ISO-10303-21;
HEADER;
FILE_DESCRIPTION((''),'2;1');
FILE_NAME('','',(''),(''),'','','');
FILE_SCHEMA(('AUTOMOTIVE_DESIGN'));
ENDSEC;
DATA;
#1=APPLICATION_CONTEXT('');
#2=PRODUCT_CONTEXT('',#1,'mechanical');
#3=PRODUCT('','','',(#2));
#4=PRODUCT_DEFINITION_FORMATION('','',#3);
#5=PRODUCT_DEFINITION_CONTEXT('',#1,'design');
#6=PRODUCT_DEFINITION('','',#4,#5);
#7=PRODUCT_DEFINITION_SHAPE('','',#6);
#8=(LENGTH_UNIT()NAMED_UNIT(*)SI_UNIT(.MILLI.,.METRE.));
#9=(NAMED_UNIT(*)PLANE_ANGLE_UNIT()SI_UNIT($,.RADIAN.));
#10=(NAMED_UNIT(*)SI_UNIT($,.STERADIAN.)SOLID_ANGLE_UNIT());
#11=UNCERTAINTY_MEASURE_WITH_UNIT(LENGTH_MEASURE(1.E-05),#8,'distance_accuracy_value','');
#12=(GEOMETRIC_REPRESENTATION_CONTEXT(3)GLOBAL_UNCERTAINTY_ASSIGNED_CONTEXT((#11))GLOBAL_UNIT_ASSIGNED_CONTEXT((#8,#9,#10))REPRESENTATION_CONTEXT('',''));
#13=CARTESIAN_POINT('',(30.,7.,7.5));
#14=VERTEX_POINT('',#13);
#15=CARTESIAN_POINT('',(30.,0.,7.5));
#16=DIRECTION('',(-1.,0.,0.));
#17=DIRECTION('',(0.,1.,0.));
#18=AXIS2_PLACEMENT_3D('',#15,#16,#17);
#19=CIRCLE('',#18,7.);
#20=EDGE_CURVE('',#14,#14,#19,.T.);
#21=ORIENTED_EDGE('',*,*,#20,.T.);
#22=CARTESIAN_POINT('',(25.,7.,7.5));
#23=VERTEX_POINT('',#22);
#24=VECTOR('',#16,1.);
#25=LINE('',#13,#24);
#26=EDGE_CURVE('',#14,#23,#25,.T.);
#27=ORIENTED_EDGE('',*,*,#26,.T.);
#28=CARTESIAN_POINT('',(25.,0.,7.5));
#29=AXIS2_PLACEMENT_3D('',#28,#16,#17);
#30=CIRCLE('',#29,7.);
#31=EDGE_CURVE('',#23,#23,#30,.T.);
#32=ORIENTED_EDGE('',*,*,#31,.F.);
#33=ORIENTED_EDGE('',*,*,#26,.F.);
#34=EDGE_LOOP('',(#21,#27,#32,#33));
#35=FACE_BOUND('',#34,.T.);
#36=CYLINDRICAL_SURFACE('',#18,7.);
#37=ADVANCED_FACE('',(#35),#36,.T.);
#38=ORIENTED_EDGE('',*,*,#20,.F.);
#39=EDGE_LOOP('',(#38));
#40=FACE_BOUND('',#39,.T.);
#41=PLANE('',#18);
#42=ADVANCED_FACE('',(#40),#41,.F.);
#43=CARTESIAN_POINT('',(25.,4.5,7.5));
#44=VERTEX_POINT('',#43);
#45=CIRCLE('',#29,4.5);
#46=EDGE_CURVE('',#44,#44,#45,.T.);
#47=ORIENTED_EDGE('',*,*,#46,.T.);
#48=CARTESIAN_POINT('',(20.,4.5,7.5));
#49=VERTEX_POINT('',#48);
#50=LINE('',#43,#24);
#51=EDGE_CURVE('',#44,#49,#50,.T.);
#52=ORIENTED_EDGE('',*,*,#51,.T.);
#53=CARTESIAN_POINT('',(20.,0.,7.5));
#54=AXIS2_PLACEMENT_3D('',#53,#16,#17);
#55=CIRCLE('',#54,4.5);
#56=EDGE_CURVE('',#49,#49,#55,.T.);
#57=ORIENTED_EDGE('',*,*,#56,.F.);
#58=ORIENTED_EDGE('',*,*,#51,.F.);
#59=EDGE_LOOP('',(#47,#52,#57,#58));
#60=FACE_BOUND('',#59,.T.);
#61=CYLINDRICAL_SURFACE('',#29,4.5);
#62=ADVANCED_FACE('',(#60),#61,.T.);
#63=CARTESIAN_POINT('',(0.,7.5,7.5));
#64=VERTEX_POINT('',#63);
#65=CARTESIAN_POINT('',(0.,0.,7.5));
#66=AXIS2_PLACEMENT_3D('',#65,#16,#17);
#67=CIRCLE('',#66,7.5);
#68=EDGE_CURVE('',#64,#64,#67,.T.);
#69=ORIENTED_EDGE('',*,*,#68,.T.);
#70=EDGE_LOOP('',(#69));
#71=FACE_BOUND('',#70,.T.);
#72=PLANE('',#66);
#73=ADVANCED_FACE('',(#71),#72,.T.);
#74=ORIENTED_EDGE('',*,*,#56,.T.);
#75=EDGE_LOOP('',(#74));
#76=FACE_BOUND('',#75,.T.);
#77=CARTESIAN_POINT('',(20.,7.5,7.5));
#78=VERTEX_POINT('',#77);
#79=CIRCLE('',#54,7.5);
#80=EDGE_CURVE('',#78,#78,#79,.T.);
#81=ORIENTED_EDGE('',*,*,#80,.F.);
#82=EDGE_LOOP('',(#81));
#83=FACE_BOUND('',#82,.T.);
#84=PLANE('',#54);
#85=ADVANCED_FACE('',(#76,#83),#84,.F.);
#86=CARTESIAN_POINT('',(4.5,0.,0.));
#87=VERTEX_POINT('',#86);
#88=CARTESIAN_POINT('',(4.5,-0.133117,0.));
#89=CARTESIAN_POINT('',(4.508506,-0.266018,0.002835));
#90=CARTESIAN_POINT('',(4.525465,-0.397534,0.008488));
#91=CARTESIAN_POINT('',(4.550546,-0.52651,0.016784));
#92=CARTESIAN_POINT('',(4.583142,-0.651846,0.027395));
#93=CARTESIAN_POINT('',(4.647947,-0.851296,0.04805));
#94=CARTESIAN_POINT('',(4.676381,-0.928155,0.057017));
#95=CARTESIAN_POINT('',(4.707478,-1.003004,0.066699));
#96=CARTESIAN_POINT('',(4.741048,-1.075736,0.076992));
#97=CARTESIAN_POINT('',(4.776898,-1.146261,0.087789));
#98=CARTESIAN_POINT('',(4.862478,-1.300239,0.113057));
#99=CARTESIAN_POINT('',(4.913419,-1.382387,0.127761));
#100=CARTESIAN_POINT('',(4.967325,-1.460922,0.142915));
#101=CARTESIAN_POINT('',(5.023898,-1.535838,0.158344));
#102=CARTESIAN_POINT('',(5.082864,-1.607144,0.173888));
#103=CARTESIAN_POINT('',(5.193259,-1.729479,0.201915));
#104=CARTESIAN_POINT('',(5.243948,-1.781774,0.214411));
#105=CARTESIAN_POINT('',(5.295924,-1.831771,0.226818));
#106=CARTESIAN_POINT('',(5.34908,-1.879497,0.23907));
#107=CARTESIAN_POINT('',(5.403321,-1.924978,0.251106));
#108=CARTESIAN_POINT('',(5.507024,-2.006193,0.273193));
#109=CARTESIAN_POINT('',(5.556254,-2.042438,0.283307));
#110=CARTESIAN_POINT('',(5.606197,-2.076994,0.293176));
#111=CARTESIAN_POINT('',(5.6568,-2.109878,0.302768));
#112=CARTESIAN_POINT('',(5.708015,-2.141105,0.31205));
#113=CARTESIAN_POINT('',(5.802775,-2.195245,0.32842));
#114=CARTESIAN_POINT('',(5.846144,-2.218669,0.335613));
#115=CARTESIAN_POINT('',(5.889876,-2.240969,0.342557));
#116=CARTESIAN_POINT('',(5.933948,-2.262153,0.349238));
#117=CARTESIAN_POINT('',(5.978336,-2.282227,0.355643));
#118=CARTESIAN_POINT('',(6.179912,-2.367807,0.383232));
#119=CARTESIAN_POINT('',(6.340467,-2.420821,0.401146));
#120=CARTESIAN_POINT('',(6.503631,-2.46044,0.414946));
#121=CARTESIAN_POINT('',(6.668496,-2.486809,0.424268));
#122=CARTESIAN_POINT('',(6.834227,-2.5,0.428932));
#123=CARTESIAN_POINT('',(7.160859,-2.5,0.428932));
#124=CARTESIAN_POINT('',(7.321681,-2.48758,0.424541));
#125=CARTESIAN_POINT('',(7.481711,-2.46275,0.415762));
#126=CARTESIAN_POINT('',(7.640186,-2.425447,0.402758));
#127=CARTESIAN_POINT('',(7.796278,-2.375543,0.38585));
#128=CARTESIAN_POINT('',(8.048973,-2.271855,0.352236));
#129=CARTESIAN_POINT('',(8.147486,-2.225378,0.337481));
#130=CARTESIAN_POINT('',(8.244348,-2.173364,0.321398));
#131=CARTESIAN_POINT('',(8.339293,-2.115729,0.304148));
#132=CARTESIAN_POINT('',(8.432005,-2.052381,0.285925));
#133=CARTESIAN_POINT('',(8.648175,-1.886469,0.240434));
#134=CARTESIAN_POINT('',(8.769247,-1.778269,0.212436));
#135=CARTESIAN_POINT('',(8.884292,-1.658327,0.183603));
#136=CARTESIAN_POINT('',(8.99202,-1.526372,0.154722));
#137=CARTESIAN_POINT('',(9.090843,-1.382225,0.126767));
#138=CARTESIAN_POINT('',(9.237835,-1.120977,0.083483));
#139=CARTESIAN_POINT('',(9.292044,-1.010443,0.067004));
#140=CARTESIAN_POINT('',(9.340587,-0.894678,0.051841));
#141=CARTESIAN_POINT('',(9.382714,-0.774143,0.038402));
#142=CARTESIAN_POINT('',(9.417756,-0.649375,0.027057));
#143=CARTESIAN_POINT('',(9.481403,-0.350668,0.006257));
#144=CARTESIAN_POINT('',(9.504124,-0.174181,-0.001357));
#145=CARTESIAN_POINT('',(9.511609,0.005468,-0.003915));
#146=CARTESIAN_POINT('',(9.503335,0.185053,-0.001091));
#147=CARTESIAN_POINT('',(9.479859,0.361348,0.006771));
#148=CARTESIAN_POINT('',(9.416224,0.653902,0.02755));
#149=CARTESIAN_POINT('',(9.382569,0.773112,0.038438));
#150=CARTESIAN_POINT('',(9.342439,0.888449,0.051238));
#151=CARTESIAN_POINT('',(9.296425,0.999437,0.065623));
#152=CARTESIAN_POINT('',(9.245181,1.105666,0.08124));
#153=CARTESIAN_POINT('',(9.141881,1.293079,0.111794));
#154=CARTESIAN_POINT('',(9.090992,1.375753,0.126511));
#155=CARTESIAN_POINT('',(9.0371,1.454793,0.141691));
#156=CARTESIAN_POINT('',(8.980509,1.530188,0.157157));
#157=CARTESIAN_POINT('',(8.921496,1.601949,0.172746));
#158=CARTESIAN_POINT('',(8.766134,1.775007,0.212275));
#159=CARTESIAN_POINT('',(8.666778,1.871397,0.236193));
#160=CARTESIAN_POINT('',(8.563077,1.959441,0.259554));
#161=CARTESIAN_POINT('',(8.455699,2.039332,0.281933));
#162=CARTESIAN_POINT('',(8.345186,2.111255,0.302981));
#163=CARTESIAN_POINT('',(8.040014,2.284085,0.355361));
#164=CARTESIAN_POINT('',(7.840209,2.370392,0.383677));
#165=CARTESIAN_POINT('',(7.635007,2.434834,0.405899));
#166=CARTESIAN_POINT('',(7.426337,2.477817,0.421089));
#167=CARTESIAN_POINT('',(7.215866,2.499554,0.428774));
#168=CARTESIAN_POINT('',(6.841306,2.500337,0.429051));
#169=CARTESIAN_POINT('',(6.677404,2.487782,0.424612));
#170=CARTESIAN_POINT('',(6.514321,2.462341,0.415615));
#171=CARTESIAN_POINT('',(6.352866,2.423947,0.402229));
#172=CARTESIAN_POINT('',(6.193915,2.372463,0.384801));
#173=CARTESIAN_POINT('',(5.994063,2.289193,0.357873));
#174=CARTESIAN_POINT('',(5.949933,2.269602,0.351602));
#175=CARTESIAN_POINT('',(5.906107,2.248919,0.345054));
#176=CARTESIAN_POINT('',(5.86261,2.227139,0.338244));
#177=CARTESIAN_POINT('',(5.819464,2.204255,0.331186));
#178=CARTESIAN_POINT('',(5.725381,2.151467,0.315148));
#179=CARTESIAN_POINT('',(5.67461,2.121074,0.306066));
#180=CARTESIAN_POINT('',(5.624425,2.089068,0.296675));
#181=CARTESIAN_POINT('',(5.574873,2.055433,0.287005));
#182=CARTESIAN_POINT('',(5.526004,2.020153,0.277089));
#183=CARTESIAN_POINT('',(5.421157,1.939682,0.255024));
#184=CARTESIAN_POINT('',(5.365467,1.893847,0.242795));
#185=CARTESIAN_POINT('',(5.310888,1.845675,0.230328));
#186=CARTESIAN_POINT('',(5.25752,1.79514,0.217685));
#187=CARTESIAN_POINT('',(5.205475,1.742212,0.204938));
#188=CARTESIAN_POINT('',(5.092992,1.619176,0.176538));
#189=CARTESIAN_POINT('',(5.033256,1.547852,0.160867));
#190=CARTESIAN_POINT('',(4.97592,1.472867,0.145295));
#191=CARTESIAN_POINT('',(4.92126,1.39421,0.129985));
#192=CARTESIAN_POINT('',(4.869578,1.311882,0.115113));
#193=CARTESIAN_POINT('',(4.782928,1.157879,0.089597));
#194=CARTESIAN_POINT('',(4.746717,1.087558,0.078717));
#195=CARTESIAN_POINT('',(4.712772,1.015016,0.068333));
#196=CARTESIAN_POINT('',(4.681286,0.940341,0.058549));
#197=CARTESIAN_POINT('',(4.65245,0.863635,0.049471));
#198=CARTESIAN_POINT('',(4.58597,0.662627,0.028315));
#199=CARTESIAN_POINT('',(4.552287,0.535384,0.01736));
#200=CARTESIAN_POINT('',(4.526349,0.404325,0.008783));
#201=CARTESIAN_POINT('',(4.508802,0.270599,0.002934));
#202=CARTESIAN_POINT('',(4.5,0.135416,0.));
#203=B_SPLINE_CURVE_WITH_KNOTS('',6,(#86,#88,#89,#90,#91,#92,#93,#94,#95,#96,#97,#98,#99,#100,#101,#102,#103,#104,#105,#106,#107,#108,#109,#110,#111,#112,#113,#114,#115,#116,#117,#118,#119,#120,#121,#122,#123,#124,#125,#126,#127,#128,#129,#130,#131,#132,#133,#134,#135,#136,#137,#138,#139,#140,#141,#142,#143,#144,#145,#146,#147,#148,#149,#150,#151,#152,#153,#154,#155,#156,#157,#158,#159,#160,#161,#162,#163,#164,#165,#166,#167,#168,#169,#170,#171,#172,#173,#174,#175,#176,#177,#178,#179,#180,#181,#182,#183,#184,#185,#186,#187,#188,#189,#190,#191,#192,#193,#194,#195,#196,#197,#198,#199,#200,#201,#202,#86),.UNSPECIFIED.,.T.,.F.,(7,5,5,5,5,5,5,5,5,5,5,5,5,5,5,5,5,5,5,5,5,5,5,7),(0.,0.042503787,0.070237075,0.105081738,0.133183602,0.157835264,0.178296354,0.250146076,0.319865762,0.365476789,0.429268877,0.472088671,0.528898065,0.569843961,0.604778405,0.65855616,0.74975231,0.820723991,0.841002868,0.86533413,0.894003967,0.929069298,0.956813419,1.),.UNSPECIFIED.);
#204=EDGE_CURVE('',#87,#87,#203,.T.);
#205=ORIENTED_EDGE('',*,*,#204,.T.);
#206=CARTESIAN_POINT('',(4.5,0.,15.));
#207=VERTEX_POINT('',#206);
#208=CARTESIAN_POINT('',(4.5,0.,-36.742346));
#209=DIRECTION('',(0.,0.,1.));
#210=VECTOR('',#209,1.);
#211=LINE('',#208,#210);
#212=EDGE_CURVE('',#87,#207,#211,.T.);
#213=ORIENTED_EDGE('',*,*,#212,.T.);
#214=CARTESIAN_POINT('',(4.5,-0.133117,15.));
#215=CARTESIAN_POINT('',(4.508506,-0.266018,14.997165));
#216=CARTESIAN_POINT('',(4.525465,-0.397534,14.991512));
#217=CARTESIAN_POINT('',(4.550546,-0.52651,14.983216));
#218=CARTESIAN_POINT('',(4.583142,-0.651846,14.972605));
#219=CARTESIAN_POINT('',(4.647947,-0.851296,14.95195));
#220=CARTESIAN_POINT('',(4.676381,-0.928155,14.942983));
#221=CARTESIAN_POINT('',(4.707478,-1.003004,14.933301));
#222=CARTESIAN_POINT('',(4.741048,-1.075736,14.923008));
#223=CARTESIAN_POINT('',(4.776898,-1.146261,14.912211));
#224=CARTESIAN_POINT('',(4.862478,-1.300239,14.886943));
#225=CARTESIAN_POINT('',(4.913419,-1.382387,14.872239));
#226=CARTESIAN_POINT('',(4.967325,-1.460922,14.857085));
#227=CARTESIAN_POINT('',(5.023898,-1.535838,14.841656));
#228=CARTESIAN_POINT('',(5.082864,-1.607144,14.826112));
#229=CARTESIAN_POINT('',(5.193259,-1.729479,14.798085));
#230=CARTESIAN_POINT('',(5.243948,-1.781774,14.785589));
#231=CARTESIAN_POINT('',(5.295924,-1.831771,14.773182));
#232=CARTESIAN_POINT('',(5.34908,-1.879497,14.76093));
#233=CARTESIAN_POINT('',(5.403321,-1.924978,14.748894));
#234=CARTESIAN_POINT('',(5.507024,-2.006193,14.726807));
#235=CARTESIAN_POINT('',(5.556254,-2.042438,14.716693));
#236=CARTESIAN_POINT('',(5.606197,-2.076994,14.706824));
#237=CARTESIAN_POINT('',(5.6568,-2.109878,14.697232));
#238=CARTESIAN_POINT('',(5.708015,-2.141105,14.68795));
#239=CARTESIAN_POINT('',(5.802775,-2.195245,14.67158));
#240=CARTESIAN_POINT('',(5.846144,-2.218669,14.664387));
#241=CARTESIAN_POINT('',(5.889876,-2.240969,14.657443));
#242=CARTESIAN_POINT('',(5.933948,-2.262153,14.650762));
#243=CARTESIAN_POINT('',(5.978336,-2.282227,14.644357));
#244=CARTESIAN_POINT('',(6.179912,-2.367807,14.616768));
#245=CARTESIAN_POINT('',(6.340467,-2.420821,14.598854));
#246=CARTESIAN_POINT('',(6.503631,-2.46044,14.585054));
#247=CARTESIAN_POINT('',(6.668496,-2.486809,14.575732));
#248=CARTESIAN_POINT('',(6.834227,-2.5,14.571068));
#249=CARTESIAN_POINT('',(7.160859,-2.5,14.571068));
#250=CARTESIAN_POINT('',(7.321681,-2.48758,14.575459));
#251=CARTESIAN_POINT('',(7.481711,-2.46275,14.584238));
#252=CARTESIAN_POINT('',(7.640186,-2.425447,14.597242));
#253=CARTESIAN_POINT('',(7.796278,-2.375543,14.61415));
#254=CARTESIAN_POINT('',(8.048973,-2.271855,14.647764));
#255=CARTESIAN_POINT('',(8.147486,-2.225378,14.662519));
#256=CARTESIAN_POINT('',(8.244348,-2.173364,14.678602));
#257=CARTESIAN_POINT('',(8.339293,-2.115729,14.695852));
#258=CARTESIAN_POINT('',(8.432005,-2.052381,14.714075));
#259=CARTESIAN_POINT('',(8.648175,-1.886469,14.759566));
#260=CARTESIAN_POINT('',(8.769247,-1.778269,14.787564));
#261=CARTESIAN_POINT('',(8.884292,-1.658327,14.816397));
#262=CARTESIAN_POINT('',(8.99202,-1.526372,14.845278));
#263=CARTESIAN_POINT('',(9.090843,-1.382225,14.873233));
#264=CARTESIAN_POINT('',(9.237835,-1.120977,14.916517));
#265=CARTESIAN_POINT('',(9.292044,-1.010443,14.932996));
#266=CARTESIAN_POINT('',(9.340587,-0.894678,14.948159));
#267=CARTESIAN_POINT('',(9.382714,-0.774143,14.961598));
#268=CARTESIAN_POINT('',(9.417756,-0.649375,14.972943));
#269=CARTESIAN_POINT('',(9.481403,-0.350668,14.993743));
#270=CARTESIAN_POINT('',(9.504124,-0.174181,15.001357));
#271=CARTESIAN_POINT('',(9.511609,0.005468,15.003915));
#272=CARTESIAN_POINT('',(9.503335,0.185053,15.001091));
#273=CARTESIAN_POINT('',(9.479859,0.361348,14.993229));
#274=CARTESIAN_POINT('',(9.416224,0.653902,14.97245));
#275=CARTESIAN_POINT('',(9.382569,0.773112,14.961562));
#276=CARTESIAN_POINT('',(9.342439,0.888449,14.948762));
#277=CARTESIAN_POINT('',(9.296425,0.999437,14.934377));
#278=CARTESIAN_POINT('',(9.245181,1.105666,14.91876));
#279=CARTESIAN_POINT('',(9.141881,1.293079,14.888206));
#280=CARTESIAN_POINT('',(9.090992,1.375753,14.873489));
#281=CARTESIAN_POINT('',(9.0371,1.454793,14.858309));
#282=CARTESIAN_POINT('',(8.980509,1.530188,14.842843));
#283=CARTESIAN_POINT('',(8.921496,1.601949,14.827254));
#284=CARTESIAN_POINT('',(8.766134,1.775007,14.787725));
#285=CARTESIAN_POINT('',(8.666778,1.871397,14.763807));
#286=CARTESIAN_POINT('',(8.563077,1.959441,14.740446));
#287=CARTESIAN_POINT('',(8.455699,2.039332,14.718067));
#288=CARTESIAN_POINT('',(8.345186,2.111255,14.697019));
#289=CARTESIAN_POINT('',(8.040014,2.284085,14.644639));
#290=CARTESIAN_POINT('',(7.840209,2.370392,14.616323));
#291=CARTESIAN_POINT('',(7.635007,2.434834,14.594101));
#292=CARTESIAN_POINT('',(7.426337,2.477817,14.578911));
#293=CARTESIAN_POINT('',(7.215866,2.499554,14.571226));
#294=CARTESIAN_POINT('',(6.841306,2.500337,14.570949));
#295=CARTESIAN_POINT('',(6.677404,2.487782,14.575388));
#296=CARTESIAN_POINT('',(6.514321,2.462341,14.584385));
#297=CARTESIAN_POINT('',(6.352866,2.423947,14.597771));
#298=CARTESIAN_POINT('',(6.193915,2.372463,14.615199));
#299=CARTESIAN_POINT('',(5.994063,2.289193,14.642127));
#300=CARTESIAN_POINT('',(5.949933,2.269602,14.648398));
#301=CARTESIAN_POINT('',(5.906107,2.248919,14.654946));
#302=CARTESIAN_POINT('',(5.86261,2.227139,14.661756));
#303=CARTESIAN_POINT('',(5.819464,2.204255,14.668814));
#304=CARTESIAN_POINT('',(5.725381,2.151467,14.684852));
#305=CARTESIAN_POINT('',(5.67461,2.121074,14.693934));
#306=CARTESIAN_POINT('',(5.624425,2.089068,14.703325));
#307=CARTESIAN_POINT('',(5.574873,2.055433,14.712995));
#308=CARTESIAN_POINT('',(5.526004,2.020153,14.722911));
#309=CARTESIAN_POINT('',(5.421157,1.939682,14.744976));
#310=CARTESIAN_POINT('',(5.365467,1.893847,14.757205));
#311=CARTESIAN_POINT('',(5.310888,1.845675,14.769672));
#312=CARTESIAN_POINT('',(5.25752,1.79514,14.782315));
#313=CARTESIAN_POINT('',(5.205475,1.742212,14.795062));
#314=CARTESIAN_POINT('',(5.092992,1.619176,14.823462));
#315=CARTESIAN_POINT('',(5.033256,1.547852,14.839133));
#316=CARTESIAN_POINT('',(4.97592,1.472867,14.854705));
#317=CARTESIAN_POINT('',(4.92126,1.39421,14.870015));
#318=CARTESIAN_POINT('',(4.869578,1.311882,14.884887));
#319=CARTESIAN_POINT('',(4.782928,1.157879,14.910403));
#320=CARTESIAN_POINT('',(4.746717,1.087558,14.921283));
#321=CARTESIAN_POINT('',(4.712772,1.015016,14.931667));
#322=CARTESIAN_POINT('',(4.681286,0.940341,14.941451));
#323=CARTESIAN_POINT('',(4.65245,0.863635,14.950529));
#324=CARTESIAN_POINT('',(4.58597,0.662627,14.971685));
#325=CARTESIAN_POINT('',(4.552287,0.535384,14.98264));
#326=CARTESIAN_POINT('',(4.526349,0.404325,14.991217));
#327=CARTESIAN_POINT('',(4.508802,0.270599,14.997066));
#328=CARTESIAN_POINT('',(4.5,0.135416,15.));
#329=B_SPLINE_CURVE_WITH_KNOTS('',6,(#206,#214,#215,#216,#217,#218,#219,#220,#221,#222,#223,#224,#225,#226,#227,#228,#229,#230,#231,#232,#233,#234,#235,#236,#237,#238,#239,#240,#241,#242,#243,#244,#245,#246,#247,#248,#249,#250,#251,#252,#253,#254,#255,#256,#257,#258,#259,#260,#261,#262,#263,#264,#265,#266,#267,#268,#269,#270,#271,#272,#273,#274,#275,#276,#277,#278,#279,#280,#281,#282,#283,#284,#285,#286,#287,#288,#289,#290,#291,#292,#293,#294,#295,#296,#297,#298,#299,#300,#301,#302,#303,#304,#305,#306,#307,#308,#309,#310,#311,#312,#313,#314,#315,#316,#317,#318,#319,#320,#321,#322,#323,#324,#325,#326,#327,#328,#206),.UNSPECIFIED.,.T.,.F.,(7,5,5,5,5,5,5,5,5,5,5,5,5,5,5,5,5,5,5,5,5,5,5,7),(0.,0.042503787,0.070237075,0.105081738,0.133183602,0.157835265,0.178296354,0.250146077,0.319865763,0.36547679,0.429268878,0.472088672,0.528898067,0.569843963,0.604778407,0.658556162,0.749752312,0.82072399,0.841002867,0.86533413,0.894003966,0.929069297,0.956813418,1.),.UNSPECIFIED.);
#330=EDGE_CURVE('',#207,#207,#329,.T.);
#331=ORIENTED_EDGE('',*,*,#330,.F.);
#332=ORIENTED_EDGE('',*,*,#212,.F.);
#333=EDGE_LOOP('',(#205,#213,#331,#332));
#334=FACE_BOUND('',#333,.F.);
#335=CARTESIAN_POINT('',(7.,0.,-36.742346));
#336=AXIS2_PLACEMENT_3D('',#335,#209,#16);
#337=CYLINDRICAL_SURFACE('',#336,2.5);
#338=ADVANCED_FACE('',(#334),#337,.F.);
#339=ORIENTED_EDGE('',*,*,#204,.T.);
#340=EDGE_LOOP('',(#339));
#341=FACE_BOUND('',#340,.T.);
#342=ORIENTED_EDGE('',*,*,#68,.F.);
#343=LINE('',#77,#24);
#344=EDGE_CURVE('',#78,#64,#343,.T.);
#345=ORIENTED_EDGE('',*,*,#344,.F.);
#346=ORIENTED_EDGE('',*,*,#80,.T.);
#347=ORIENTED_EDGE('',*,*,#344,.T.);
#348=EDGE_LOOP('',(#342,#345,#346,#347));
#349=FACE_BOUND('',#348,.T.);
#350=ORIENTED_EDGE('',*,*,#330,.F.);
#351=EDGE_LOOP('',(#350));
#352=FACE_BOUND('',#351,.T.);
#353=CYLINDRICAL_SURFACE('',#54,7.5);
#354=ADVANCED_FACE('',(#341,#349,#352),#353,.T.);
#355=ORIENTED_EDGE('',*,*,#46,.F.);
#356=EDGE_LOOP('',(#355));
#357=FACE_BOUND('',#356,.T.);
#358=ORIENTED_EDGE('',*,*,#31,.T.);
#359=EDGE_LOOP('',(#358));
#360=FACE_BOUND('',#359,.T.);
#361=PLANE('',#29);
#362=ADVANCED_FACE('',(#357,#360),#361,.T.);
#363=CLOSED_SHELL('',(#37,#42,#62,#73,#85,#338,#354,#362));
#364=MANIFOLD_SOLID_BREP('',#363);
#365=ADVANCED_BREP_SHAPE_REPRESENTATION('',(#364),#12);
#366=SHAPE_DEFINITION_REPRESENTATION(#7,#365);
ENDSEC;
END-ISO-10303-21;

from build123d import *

# Parameters (mm, degrees)
F4_D = 5


with BuildPart() as f1:
    # F0 (on Top) → F1 (revolve)
    with BuildSketch(Plane.XY):
        Polygon((0, 7.5), (0, 0), (30, 0), (30, 7), (25, 7), (25, 4.5), (20, 4.5), (20, 7.5), align=None)
    revolve(axis=Axis((15, 0, 0), (-1, 0, 0)))


with BuildPart() as f1_1:
    # F2: moved
    add(f1.part.moved(Location((0, 0, 7.5))))

    # F4 (through all)
    with Locations(Plane(origin=(0, 0, 0), x_dir=(1, 0, 0), z_dir=(0, 0, -1))):
        with Locations((7, 0)):
            Hole(F4_D / 2)


solid = f1_1.part
